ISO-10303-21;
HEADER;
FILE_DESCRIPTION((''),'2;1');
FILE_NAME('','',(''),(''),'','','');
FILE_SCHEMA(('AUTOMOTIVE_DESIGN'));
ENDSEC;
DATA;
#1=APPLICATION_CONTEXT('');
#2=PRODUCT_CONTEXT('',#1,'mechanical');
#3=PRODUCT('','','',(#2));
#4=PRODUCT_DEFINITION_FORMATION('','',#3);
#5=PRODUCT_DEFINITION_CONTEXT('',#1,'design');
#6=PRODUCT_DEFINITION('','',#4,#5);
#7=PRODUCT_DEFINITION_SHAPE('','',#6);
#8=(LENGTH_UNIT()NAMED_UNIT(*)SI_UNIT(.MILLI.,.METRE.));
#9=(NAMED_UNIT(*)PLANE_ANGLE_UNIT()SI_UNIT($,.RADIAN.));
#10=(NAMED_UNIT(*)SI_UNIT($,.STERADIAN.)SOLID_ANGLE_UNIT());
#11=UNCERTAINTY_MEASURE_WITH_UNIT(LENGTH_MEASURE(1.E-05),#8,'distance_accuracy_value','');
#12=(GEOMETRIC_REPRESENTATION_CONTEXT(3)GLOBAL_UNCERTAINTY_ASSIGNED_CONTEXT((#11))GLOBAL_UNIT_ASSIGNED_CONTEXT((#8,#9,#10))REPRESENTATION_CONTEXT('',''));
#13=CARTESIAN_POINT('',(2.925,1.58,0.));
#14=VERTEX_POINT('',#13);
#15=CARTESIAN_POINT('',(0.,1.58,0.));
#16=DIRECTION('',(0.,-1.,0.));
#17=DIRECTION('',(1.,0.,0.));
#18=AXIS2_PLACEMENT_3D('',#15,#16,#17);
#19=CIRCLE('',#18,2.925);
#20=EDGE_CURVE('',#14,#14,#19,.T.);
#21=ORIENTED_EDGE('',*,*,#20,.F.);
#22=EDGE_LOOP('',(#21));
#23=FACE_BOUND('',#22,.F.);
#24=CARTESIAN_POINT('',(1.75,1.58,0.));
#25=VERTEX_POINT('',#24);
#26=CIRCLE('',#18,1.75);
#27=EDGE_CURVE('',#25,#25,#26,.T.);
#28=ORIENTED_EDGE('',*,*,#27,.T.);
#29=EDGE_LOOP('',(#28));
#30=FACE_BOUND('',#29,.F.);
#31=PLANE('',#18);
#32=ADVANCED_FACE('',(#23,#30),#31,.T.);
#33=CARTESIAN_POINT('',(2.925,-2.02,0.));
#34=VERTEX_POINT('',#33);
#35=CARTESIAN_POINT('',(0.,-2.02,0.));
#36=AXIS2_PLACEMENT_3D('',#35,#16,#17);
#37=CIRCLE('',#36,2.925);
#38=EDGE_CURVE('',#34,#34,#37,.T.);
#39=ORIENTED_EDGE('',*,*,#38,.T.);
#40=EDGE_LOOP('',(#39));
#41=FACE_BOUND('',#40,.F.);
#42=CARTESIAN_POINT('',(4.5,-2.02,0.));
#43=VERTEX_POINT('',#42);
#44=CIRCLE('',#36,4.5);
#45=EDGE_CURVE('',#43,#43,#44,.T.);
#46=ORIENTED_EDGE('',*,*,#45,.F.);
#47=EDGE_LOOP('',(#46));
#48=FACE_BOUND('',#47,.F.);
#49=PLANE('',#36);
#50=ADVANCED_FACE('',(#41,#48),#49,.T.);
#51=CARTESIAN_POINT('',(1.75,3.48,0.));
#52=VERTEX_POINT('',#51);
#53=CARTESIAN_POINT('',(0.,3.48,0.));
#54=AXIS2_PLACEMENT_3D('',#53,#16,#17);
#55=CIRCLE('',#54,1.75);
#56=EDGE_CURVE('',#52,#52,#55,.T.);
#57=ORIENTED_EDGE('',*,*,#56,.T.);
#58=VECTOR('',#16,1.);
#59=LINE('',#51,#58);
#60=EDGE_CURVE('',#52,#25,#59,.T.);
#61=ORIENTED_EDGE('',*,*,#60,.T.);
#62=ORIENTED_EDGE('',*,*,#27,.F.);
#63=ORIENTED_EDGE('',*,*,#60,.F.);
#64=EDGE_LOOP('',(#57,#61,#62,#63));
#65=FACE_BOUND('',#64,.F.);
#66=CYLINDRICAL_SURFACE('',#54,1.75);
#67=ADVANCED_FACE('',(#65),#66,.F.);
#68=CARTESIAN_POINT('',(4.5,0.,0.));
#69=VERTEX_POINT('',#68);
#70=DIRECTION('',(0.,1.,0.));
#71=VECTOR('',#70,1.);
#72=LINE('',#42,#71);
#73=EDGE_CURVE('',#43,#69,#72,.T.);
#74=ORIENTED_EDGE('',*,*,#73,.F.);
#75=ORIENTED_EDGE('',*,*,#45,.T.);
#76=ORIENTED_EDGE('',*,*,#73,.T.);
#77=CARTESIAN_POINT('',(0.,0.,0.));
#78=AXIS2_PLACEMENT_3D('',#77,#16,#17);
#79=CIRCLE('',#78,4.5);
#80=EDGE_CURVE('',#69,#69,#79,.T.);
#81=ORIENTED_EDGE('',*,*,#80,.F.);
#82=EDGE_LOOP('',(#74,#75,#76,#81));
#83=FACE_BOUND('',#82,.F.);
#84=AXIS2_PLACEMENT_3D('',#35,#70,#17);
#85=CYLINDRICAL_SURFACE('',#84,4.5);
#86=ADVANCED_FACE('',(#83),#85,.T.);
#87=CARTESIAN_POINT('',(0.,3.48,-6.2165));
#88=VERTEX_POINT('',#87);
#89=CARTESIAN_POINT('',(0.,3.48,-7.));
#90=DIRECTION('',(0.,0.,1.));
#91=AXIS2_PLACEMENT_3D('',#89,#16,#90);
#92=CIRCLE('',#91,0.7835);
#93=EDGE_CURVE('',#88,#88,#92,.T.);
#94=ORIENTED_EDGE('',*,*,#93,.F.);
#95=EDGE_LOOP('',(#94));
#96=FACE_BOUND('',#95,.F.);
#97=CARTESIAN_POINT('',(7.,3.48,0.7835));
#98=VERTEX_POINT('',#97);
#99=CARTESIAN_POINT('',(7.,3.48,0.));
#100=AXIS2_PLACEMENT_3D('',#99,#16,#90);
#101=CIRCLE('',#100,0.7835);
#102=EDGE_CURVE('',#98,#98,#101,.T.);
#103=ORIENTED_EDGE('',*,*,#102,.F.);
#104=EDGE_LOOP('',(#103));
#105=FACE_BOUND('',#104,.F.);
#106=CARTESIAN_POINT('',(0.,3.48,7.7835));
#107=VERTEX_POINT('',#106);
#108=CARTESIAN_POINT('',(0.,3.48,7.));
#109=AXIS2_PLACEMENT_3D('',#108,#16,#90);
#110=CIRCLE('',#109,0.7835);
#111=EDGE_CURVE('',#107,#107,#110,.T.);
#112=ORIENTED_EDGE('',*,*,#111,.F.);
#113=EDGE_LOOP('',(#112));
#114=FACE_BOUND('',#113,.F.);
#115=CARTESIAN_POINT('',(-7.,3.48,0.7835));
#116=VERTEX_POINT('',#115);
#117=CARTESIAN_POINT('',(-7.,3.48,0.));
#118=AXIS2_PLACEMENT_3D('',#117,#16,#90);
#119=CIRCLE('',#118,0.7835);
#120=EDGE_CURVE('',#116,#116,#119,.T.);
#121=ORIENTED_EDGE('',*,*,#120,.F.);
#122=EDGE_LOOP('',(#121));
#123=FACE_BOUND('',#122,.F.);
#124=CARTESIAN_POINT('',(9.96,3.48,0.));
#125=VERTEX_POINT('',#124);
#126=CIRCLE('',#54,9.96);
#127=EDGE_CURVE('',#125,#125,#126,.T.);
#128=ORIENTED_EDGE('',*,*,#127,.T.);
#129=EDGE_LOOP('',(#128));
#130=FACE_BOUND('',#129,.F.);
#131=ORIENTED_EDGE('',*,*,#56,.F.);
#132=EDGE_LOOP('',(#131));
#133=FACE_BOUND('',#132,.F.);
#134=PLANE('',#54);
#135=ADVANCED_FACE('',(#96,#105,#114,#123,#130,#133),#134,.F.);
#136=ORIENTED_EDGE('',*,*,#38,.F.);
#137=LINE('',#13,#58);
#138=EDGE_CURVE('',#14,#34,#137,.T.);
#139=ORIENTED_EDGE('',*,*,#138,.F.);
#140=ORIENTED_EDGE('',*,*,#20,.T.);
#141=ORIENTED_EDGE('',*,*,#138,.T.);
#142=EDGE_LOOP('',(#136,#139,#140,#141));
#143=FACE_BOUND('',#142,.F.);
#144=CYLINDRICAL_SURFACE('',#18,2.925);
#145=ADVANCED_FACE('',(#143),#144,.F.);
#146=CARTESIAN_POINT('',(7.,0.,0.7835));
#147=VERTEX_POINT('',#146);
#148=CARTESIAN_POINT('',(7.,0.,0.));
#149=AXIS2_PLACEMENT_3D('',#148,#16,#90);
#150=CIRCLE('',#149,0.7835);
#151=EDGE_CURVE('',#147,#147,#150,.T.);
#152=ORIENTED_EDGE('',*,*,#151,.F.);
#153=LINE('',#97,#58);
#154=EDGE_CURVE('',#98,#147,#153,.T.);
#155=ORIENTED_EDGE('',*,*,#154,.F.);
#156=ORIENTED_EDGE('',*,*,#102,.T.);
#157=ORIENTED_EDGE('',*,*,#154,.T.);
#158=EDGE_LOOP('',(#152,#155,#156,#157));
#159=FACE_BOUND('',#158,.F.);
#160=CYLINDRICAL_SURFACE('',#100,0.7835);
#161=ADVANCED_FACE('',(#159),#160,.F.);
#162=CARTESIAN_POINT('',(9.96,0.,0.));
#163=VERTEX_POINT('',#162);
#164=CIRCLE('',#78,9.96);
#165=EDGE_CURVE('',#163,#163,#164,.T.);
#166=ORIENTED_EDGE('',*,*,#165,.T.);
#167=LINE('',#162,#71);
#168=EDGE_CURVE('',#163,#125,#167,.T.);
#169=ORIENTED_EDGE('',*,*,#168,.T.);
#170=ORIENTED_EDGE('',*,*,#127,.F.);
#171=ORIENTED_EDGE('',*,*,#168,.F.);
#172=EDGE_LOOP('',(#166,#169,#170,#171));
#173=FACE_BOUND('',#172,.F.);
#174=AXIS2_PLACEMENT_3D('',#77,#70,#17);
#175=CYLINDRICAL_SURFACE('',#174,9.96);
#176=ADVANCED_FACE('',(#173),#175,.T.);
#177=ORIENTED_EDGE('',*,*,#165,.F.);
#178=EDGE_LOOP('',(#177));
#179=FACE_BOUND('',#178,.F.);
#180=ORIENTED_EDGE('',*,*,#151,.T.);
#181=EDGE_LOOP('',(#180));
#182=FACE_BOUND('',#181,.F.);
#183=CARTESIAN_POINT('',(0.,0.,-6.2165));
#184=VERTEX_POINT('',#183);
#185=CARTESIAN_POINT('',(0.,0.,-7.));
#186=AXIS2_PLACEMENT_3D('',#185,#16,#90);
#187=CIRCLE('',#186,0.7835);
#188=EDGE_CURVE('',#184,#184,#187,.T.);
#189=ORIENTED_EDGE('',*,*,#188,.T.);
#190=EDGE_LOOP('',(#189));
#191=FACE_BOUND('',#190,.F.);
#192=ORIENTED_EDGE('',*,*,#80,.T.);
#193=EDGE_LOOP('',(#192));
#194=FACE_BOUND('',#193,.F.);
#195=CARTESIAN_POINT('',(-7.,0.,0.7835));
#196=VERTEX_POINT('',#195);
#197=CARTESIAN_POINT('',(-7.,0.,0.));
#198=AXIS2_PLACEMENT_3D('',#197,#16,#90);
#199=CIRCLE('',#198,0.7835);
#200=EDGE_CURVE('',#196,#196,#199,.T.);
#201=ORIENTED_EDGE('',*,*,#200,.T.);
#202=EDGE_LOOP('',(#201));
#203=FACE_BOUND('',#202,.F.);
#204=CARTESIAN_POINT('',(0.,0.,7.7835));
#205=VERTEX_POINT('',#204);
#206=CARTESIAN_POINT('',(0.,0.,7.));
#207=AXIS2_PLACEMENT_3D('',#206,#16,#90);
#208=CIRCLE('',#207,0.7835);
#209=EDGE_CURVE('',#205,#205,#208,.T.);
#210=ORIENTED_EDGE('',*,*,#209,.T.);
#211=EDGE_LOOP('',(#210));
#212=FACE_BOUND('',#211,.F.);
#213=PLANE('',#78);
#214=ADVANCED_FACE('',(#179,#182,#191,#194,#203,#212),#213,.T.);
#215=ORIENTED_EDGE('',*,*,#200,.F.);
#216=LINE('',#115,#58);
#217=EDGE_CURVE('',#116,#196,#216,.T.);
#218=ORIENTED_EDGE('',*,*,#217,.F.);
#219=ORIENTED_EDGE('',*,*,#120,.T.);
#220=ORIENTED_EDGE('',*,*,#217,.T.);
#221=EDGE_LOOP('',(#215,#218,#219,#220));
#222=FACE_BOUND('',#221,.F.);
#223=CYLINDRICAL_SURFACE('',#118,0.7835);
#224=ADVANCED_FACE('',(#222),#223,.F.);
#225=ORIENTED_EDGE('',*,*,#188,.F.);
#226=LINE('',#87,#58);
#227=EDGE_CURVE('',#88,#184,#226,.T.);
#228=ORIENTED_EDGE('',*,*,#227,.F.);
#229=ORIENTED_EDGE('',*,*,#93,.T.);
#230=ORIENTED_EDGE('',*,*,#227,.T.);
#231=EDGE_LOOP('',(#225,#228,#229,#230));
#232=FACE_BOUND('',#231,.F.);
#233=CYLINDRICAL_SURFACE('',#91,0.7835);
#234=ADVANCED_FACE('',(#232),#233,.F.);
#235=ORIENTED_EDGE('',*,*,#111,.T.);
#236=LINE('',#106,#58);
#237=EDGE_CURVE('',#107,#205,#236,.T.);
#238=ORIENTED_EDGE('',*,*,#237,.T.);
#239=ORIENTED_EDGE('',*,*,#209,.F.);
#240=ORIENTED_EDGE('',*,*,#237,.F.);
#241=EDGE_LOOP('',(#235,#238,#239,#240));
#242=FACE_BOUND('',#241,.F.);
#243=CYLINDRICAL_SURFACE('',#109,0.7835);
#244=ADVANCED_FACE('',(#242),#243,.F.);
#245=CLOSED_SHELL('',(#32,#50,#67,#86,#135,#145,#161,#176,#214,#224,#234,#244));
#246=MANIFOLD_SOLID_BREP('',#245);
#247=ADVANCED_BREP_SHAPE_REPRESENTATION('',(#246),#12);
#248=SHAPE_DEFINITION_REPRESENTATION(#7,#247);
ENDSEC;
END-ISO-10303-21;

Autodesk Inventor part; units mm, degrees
ref_plane "YZ Plane" through (0, 0, 0) normal (1, 0, 0) x (0, 1, 0)
ref_plane "XZ Plane" through (0, 0, 0) normal (0, 1, 0) x (-1, 0, 0)
ref_plane "XY Plane" through (0, 0, 0) normal (0, 0, 1) x (1, 0, 0)
sketch "스케치1" plane through (0, 0, 0) normal (0, 0, 1) x (1, 0, 0)
  line L0 (0, 3.2752) -> (0, -3.2752)
  line L1 (1.75, 3.48) -> (1.75, 1.58)
  line L2 (1.75, 1.58) -> (2.925, 1.58)
  line L3 (2.925, 1.58) -> (2.925, -2.02)
  line L4 (2.925, -2.02) -> (4.5, -2.02)
  line L5 (4.5, -2.02) -> (4.5, 0)
  line L6 (4.5, 0) -> (9.96, 0)
  line L7 (9.96, 0) -> (9.96, 3.48)
  line L8 (9.96, 3.48) -> (1.75, 3.48)
  point P0 (0, 0)
  point P1 (0, 0)
  dimension "d1" = 1.75
  dimension "d2" = 2.925
  dimension "d4" = 3.48
  dimension "d6" = 4.5
  dimension "d7" = 9.96
  dimension "d8" = 1.9
  dimension "d22" = 5.5
revolve "회전1" add sketch "스케치1" angle 360 about axis through (0, 3.2752, 0) along (0, -1, 0)
sketch "Sketch3" plane through (0, 3.48, 0) normal (0, 1, 0) x (1, 0, 0)
  point P0 (0, 0)
  point P1 (7, 0)
  point P2 (0, 7)
  point P3 (-7, 0)
  point P4 (0, -7)
  dimension "d23" = 7
  dimension "d26" = 360
hole "Hole2" at (7, 3.48, 0) at (0, 3.48, -7) at (-7, 3.48, 0) at (0, 3.48, 7) direction (0, -1, 0) diameter 1.567 end through all thread size "M2x0.4" class "6H" standard "ISO Metric profile"
properties part number "Top Horn Metal" material "Aluminum 6061-AHC"
